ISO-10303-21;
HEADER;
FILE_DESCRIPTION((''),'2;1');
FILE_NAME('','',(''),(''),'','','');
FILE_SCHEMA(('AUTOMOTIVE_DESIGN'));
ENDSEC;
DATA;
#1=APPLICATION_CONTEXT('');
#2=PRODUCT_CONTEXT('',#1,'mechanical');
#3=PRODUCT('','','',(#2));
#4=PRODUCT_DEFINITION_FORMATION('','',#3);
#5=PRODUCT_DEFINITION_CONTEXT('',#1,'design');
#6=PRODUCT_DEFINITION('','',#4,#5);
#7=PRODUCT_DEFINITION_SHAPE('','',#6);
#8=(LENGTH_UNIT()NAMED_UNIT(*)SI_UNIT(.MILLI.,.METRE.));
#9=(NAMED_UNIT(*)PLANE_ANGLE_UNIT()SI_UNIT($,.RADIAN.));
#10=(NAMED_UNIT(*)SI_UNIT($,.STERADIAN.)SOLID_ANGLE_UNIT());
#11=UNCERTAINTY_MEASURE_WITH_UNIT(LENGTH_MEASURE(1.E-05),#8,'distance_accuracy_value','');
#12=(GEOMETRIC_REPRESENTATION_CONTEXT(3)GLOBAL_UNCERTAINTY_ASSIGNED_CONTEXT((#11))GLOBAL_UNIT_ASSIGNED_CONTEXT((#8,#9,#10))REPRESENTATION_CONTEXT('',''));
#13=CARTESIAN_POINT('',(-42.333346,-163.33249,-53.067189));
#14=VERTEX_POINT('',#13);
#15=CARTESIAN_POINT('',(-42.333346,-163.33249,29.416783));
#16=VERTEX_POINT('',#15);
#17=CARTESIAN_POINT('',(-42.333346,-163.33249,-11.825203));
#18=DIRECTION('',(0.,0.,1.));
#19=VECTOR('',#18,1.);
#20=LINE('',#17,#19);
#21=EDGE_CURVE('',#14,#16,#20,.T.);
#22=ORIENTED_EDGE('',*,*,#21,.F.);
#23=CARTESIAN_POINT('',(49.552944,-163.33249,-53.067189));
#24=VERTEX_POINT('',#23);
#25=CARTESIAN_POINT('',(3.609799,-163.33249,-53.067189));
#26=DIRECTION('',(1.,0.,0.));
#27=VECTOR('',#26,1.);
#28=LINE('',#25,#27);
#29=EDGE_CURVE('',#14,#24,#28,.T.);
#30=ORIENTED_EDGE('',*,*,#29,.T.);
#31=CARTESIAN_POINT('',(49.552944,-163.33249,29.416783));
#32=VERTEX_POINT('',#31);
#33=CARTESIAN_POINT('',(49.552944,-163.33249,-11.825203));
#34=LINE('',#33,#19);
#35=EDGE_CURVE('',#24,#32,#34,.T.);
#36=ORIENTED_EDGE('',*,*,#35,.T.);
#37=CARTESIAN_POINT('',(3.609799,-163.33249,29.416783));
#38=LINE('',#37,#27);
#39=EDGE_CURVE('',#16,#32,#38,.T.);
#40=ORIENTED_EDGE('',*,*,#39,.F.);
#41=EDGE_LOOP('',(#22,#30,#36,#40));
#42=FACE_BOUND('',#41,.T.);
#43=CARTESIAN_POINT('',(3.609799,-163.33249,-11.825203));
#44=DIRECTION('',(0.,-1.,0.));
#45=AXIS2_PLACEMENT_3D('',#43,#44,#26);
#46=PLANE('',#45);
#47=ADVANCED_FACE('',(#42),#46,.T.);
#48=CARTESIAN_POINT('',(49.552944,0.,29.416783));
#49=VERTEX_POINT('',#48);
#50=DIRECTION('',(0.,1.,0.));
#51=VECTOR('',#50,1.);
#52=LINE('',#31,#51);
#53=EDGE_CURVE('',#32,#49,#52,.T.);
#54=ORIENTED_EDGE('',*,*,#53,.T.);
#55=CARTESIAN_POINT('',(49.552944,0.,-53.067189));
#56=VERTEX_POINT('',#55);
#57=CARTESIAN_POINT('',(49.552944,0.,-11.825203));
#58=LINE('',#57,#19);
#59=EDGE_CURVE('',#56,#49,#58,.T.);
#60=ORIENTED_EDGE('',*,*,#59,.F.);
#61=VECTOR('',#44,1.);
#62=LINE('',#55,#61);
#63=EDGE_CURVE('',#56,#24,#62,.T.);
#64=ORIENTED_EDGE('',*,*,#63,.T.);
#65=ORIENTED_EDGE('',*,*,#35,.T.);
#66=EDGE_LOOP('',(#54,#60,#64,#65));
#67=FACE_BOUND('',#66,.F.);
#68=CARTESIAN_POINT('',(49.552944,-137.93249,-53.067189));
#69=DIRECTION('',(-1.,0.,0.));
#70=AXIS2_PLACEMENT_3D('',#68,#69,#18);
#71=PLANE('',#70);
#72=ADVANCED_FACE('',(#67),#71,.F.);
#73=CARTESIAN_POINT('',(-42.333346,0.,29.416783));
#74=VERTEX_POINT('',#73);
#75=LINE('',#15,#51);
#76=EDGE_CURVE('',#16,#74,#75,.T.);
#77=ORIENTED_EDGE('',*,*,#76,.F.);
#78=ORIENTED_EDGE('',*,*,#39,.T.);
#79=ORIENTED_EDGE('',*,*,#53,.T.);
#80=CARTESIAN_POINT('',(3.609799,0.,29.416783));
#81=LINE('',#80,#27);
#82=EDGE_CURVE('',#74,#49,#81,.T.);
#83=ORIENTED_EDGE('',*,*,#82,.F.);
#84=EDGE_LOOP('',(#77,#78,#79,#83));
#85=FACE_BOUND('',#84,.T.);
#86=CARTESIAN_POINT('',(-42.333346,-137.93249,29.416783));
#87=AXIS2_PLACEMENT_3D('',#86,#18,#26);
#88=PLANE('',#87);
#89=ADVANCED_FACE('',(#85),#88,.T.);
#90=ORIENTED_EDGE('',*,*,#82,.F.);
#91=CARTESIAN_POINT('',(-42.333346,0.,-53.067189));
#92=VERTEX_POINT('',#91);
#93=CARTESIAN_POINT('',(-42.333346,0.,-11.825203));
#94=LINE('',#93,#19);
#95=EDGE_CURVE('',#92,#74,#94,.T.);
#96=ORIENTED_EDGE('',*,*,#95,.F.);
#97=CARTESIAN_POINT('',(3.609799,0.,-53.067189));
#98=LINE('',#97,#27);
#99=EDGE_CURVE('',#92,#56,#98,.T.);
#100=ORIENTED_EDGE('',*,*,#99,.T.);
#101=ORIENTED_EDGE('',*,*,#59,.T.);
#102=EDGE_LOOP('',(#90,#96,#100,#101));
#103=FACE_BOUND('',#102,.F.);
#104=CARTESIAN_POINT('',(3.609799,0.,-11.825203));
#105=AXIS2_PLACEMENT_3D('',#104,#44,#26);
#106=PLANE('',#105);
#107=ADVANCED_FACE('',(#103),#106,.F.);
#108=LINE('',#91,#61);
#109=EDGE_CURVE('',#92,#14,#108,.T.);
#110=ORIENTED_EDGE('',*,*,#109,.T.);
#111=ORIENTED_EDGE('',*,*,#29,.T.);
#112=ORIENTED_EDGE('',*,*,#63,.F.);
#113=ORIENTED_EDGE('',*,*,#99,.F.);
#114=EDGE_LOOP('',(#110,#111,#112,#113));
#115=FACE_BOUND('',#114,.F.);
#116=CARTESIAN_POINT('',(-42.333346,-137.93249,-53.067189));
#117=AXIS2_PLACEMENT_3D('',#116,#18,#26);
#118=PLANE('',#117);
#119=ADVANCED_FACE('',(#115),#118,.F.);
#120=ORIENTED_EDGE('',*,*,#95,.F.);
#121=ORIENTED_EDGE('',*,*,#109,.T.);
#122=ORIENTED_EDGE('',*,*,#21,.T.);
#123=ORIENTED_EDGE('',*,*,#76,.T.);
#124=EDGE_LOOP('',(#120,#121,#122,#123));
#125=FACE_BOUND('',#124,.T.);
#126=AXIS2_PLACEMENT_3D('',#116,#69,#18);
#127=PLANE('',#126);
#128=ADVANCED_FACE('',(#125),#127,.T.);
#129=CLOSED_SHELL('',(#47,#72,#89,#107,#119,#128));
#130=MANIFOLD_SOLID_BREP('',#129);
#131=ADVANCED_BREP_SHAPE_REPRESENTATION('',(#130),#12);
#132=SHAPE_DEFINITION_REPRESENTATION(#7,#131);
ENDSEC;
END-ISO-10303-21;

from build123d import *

# Parameters (mm, degrees)
F0_W       = 91.8862894177
F0_H       = 82.4839714915
F1_DEPTH   = 112.53249
F1_FACE_W  = 91.8862894177
F1_FACE_H  = 82.4839714915
F2_R       = 18.7587745479
F1_FACE1_W = 91.8862894177
F1_FACE1_H = 82.4839714915
F3_DEPTH   = 25.4
F4_DEPTH   = 25.4


with BuildPart() as f1:
    # F0 (on Front) → F1 (new body)
    with BuildSketch(Plane.XZ):
        with Locations((3.6097988486, -11.8252029642)):
            Rectangle(F0_W, F0_H)
    extrude(amount=F1_DEPTH)

    # F1_face (on face) + F2 (on Front) + F1_face1 (on face) → F3 (join)
    with BuildSketch(Plane(origin=(3.6097988486, -112.53249, -11.8252029642), x_dir=(1, 0, 0), z_dir=(0, -1, 0))):
        Rectangle(F1_FACE_W, F1_FACE_H)
    with BuildSketch(Plane.XZ):
        with Locations((-13.4063102305, -3.2802673522)):
            Circle(F2_R)
    with BuildSketch(Plane(origin=(3.6097988486, 0, -11.8252029642), x_dir=(1, 0, 0), z_dir=(0, 1, 0))):
        Rectangle(F1_FACE1_W, F1_FACE1_H)
    extrude(amount=F3_DEPTH, dir=(0, -1, 0))

    # F4 (add): faces of the model
    f4_faces = [f1.faces().sort_by_distance(p)[0] for p in [
        (3.6097988486, -137.93249, -11.8252029642),
        (3.6097988486, 0, -11.8252029642),
    ]]
    extrude(f4_faces, amount=F4_DEPTH, dir=(0, -1, 0))


solid = f1.part
